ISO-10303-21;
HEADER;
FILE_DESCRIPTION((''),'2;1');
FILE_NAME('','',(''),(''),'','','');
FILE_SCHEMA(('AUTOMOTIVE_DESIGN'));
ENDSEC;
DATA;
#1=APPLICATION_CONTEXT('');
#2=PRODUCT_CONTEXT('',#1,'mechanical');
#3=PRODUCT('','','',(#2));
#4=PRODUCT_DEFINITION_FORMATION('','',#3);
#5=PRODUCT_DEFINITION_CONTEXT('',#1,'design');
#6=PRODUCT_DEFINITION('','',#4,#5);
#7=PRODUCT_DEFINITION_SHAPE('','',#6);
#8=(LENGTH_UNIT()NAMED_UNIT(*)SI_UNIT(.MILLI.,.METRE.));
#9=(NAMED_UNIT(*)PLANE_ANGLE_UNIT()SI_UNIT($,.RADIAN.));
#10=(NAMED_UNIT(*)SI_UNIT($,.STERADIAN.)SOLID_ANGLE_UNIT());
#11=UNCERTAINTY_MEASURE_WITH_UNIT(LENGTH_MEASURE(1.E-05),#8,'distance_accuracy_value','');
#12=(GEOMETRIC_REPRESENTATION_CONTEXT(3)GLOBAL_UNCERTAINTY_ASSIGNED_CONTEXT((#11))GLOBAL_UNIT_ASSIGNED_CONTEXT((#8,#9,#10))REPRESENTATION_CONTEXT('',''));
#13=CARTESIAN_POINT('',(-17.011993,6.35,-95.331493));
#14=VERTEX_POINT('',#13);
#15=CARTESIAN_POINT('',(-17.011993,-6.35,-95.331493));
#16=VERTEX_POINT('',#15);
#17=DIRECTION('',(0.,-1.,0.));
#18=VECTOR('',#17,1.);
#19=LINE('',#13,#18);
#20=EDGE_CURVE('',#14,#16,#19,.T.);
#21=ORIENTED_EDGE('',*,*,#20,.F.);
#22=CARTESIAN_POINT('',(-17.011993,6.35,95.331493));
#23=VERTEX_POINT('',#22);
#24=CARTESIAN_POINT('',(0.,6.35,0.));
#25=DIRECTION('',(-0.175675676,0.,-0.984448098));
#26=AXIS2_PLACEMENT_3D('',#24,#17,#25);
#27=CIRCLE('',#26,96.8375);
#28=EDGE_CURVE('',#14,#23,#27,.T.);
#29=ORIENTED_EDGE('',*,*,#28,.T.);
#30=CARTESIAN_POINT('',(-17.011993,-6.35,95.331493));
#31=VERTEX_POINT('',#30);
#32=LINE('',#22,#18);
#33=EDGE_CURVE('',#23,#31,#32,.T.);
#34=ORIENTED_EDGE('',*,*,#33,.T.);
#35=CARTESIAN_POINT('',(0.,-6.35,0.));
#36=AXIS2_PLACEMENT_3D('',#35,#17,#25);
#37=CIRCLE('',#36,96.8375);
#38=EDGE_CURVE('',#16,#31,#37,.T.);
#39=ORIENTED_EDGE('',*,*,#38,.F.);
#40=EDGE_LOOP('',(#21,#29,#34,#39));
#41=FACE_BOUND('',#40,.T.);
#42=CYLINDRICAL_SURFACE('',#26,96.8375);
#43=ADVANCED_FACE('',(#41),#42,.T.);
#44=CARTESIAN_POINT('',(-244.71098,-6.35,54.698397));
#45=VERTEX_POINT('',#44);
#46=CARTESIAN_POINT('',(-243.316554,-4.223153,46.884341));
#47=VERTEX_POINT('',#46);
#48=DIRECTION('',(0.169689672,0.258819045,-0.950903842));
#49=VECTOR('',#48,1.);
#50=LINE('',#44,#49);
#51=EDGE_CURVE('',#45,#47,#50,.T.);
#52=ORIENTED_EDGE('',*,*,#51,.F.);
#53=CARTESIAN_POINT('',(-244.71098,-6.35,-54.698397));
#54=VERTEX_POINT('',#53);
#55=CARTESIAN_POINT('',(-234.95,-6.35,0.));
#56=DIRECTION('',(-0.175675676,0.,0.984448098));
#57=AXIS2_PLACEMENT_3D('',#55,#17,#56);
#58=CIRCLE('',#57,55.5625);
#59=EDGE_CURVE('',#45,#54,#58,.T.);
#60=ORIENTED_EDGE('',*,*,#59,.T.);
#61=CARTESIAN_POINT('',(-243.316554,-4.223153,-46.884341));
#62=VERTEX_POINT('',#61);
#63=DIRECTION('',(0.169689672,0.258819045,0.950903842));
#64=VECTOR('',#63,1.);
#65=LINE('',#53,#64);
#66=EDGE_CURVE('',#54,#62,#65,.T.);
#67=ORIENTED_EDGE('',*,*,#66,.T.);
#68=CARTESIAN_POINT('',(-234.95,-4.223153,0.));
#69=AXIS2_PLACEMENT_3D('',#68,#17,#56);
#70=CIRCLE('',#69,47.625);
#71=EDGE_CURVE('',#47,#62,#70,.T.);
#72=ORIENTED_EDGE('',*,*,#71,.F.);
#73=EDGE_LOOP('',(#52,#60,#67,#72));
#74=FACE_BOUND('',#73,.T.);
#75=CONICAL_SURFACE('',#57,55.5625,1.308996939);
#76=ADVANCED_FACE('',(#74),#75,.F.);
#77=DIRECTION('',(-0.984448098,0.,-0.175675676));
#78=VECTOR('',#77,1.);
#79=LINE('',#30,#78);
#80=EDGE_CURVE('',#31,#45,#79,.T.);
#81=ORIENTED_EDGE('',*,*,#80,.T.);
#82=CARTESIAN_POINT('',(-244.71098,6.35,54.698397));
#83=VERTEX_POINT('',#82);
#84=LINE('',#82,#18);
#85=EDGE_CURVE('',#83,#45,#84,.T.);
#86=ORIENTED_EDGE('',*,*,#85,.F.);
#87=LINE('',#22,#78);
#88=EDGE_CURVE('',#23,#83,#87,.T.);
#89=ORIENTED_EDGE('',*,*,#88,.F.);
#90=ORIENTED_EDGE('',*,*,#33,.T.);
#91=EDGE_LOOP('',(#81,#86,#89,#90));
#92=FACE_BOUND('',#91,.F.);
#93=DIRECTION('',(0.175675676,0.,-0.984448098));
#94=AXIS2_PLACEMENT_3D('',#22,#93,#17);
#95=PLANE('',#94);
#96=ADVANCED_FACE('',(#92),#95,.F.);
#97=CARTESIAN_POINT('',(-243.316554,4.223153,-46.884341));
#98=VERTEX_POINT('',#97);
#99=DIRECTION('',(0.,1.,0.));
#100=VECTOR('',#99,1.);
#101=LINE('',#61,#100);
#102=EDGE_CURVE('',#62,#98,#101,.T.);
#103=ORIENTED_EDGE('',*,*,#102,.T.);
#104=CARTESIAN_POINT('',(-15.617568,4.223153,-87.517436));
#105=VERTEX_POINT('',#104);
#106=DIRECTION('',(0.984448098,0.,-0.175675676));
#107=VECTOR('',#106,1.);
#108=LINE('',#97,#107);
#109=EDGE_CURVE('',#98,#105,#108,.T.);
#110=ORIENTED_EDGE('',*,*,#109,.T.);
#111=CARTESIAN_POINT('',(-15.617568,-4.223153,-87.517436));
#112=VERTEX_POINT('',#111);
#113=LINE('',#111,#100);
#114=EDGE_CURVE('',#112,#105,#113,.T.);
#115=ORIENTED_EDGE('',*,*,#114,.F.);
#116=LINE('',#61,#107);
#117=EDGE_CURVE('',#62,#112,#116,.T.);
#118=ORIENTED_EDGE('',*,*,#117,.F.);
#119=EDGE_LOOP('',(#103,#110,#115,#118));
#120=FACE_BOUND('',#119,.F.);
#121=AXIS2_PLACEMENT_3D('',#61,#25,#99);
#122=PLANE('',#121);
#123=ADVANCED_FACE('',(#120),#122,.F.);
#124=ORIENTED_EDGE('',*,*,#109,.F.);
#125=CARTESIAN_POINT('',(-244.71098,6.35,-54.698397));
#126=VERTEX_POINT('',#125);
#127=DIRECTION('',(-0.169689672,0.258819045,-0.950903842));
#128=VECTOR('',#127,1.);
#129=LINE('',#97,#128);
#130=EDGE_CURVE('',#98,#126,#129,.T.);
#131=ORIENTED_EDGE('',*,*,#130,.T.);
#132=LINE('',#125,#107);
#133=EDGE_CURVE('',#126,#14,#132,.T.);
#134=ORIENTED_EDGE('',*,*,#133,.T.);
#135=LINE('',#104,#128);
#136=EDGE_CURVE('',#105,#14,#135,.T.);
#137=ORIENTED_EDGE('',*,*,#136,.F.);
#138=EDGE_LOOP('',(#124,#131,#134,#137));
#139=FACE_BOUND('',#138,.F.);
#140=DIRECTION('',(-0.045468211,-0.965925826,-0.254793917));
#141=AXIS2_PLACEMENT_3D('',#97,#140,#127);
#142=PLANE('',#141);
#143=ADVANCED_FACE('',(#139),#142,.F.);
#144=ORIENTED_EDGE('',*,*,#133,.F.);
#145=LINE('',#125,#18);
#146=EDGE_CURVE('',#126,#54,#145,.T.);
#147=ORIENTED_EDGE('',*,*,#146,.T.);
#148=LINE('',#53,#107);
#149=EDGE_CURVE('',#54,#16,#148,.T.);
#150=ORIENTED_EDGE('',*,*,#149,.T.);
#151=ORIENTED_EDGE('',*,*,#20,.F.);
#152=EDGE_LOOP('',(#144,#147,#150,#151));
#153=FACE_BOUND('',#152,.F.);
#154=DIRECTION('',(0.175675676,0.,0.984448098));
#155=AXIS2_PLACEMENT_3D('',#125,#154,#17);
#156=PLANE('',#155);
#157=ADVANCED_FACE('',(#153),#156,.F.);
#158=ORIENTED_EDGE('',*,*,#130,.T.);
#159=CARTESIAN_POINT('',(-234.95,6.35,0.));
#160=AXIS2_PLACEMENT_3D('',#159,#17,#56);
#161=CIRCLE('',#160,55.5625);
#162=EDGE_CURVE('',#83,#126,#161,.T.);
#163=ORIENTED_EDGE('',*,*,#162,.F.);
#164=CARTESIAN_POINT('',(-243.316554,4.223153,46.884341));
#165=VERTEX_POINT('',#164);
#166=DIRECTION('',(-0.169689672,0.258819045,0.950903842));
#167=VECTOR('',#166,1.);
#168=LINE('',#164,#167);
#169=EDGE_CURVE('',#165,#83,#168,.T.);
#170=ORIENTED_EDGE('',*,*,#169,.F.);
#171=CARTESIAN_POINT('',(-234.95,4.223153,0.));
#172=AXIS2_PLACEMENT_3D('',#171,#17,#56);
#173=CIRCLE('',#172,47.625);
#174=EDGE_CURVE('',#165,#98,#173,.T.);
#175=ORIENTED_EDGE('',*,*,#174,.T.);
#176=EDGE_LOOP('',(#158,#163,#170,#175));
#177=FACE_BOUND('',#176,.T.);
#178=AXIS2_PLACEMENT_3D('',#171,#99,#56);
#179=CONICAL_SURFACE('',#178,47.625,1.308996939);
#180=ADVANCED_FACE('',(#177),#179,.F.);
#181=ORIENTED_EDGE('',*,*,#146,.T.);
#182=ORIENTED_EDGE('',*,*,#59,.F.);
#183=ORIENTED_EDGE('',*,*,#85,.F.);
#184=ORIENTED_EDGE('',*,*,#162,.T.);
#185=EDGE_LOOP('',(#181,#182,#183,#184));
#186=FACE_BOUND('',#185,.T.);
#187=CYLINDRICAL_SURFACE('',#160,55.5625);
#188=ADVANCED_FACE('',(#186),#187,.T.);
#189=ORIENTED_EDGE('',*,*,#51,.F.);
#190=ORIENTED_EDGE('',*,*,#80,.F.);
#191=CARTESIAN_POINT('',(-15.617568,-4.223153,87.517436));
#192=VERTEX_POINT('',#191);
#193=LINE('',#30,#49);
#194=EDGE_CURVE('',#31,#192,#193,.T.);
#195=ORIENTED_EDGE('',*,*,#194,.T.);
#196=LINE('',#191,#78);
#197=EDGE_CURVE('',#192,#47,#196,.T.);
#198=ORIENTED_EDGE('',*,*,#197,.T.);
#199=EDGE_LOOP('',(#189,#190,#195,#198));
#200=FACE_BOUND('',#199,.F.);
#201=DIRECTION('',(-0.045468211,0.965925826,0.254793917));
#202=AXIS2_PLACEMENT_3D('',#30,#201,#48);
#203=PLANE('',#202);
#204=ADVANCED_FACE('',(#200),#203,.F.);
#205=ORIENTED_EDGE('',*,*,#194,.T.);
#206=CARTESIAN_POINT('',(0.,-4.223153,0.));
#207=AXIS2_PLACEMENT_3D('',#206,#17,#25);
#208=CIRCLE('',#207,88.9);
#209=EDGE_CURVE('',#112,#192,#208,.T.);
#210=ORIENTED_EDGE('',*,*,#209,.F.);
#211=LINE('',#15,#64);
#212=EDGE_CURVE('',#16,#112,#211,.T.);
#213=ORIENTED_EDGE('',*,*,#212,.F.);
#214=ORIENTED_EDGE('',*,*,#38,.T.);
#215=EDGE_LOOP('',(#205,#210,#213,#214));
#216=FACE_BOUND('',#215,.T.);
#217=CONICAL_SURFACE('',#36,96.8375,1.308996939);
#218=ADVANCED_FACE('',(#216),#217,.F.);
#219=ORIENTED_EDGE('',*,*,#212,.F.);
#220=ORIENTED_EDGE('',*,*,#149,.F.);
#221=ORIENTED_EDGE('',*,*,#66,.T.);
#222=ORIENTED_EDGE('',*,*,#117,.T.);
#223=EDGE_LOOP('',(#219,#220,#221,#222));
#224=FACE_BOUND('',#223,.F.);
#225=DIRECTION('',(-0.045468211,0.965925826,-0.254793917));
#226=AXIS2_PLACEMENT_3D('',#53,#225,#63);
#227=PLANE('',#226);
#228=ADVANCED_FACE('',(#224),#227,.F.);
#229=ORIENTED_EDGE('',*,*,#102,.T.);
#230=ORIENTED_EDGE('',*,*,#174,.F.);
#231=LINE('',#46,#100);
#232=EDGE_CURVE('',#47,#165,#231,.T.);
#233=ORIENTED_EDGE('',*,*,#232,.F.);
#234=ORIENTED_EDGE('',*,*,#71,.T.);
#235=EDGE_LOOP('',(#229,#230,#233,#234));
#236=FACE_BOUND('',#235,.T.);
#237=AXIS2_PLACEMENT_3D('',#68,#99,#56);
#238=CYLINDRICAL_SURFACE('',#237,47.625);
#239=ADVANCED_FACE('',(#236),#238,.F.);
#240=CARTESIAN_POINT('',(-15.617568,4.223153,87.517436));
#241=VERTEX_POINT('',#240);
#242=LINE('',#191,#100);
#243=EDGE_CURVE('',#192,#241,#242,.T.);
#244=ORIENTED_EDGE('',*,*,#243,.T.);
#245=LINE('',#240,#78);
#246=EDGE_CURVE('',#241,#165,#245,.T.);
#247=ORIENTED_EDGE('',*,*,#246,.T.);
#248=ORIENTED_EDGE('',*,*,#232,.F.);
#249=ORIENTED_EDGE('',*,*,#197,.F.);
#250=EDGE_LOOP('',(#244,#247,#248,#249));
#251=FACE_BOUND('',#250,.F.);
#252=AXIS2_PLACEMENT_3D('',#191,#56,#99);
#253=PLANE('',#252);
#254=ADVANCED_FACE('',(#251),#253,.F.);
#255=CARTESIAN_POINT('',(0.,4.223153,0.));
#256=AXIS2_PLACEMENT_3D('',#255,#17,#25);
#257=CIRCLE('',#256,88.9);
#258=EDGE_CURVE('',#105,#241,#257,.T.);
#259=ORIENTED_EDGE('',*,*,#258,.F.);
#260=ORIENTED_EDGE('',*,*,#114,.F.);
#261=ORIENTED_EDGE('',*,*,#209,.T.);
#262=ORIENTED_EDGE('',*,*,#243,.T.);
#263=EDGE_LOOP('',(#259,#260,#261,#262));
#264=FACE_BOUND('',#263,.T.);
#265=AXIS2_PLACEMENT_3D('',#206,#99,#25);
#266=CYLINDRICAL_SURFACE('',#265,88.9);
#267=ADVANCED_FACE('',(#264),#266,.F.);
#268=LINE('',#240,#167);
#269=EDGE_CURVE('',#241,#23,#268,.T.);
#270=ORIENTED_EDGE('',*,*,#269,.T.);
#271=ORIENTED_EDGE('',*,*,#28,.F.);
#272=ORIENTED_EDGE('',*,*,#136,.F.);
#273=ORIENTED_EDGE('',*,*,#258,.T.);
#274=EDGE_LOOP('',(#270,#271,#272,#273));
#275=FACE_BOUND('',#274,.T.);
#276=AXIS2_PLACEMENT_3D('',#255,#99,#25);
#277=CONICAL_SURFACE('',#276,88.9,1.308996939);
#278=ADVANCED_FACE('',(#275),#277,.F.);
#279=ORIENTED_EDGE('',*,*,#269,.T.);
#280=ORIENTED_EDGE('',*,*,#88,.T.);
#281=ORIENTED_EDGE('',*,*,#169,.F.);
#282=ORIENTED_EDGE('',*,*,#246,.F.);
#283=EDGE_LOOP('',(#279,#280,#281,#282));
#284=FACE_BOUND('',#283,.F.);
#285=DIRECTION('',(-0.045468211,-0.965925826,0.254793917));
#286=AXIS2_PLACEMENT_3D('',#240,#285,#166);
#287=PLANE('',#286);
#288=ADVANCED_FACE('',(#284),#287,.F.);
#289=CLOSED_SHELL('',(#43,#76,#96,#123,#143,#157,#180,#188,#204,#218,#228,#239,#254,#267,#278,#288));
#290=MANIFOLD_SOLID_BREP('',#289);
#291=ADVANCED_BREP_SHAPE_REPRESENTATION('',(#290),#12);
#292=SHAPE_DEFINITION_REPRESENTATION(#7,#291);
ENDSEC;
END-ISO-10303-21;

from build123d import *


with BuildPart() as f4:
    # F4: sweep along a path in F0
    with BuildLine(Plane.XZ) as f4_path:
        ThreePointArc((-15.6175675676, -87.5174358815), (88.9, 0), (-15.6175675676, 87.5174358815))
        Line((-15.6175675676, 87.5174358815), (-243.3165540541, 46.8843406508))
        ThreePointArc((-243.3165540541, 46.8843406508), (-282.575, 0), (-243.3165540541, -46.8843406508))
        Line((-243.3165540541, -46.8843406508), (-15.6175675676, -87.5174358815))
    # F3 (on line) → F4 (sweep)
    with BuildSketch(Plane(origin=(-113.8494932432, 0, 20.3165476153), x_dir=(0, -1, 0), z_dir=(-0.9844480977, 0, 0.1756756757))):
        Polygon((-6.35, -96.8375), (6.35, -96.8375), (4.2231532851, -88.9), (-4.2231532851, -88.9), align=None)
    sweep(path=f4_path.line)


solid = f4.part
